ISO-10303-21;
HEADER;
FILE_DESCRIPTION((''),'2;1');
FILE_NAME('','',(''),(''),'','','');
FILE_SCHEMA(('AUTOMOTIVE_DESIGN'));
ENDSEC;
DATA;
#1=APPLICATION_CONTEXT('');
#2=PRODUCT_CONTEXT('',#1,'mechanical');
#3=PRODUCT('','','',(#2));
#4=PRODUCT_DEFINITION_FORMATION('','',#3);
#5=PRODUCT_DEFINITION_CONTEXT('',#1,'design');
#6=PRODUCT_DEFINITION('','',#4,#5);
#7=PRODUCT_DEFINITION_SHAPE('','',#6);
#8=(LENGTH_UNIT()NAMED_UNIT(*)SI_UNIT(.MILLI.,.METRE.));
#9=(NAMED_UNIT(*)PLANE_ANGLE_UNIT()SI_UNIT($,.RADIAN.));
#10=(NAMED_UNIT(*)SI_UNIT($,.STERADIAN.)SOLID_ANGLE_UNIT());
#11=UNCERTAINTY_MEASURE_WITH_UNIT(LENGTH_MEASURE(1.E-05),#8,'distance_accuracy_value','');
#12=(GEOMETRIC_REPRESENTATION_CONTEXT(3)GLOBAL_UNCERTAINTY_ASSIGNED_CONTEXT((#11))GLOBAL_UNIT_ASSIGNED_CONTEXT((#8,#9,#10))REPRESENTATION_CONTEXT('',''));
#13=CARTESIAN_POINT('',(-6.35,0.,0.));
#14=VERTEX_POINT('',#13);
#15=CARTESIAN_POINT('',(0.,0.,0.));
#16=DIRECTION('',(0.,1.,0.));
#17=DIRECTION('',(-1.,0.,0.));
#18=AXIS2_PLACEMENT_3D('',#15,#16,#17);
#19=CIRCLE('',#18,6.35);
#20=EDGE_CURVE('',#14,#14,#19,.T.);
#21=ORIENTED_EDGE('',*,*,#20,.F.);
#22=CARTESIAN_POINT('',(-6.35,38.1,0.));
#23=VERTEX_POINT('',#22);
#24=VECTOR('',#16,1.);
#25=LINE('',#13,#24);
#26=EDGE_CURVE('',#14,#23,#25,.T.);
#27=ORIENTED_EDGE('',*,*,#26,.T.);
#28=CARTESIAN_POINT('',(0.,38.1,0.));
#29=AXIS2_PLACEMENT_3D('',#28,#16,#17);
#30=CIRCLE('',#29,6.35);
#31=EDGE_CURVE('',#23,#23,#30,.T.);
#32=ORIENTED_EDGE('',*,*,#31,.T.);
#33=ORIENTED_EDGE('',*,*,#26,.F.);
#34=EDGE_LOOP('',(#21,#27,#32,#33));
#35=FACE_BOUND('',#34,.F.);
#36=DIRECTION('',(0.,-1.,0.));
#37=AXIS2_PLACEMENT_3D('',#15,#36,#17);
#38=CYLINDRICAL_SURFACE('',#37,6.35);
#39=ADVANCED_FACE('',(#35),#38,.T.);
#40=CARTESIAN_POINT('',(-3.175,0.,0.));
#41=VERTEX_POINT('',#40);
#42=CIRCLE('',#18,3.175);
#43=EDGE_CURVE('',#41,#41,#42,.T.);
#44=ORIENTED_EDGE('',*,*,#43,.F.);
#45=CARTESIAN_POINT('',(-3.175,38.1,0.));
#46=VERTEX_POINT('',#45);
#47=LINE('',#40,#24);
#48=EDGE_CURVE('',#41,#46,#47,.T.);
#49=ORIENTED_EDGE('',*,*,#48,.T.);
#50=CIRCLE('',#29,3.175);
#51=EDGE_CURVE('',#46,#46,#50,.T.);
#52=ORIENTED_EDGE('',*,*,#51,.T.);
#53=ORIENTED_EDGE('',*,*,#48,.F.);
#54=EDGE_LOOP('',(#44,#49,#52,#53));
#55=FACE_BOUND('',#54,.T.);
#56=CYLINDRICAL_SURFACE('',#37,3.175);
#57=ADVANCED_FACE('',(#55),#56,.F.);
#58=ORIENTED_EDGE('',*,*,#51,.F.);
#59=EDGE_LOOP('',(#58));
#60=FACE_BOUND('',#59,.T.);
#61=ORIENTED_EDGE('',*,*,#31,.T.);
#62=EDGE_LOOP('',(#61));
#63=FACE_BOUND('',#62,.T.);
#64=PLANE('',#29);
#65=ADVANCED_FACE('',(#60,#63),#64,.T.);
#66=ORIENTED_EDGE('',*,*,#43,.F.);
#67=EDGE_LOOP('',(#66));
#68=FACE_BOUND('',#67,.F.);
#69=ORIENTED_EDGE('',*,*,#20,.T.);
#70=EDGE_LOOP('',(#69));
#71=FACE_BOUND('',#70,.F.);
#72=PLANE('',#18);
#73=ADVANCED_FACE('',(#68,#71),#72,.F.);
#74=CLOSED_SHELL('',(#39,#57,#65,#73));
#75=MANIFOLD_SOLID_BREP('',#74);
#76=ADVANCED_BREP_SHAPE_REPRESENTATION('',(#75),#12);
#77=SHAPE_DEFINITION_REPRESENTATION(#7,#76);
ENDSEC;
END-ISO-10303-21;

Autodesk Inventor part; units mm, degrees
ref_plane "YZ Plane" through (0, 0, 0) normal (1, 0, 0) x (0, 1, 0)
ref_plane "XZ Plane" through (0, 0, 0) normal (0, 1, 0) x (-1, 0, 0)
ref_plane "XY Plane" through (0, 0, 0) normal (0, 0, 1) x (1, 0, 0)
sketch "Sketch1" plane through (0, 0, 0) normal (0, 1, 0) x (-1, 0, 0)
  circle A0 centre (0, 0) radius 6.35
  circle A1 centre (0, 0) radius 3.175
  dimension "d0" = 12.7
extrude "Extrusion1" add sketch "Sketch1" along normal blind 38.1
properties part number "spacer2"
